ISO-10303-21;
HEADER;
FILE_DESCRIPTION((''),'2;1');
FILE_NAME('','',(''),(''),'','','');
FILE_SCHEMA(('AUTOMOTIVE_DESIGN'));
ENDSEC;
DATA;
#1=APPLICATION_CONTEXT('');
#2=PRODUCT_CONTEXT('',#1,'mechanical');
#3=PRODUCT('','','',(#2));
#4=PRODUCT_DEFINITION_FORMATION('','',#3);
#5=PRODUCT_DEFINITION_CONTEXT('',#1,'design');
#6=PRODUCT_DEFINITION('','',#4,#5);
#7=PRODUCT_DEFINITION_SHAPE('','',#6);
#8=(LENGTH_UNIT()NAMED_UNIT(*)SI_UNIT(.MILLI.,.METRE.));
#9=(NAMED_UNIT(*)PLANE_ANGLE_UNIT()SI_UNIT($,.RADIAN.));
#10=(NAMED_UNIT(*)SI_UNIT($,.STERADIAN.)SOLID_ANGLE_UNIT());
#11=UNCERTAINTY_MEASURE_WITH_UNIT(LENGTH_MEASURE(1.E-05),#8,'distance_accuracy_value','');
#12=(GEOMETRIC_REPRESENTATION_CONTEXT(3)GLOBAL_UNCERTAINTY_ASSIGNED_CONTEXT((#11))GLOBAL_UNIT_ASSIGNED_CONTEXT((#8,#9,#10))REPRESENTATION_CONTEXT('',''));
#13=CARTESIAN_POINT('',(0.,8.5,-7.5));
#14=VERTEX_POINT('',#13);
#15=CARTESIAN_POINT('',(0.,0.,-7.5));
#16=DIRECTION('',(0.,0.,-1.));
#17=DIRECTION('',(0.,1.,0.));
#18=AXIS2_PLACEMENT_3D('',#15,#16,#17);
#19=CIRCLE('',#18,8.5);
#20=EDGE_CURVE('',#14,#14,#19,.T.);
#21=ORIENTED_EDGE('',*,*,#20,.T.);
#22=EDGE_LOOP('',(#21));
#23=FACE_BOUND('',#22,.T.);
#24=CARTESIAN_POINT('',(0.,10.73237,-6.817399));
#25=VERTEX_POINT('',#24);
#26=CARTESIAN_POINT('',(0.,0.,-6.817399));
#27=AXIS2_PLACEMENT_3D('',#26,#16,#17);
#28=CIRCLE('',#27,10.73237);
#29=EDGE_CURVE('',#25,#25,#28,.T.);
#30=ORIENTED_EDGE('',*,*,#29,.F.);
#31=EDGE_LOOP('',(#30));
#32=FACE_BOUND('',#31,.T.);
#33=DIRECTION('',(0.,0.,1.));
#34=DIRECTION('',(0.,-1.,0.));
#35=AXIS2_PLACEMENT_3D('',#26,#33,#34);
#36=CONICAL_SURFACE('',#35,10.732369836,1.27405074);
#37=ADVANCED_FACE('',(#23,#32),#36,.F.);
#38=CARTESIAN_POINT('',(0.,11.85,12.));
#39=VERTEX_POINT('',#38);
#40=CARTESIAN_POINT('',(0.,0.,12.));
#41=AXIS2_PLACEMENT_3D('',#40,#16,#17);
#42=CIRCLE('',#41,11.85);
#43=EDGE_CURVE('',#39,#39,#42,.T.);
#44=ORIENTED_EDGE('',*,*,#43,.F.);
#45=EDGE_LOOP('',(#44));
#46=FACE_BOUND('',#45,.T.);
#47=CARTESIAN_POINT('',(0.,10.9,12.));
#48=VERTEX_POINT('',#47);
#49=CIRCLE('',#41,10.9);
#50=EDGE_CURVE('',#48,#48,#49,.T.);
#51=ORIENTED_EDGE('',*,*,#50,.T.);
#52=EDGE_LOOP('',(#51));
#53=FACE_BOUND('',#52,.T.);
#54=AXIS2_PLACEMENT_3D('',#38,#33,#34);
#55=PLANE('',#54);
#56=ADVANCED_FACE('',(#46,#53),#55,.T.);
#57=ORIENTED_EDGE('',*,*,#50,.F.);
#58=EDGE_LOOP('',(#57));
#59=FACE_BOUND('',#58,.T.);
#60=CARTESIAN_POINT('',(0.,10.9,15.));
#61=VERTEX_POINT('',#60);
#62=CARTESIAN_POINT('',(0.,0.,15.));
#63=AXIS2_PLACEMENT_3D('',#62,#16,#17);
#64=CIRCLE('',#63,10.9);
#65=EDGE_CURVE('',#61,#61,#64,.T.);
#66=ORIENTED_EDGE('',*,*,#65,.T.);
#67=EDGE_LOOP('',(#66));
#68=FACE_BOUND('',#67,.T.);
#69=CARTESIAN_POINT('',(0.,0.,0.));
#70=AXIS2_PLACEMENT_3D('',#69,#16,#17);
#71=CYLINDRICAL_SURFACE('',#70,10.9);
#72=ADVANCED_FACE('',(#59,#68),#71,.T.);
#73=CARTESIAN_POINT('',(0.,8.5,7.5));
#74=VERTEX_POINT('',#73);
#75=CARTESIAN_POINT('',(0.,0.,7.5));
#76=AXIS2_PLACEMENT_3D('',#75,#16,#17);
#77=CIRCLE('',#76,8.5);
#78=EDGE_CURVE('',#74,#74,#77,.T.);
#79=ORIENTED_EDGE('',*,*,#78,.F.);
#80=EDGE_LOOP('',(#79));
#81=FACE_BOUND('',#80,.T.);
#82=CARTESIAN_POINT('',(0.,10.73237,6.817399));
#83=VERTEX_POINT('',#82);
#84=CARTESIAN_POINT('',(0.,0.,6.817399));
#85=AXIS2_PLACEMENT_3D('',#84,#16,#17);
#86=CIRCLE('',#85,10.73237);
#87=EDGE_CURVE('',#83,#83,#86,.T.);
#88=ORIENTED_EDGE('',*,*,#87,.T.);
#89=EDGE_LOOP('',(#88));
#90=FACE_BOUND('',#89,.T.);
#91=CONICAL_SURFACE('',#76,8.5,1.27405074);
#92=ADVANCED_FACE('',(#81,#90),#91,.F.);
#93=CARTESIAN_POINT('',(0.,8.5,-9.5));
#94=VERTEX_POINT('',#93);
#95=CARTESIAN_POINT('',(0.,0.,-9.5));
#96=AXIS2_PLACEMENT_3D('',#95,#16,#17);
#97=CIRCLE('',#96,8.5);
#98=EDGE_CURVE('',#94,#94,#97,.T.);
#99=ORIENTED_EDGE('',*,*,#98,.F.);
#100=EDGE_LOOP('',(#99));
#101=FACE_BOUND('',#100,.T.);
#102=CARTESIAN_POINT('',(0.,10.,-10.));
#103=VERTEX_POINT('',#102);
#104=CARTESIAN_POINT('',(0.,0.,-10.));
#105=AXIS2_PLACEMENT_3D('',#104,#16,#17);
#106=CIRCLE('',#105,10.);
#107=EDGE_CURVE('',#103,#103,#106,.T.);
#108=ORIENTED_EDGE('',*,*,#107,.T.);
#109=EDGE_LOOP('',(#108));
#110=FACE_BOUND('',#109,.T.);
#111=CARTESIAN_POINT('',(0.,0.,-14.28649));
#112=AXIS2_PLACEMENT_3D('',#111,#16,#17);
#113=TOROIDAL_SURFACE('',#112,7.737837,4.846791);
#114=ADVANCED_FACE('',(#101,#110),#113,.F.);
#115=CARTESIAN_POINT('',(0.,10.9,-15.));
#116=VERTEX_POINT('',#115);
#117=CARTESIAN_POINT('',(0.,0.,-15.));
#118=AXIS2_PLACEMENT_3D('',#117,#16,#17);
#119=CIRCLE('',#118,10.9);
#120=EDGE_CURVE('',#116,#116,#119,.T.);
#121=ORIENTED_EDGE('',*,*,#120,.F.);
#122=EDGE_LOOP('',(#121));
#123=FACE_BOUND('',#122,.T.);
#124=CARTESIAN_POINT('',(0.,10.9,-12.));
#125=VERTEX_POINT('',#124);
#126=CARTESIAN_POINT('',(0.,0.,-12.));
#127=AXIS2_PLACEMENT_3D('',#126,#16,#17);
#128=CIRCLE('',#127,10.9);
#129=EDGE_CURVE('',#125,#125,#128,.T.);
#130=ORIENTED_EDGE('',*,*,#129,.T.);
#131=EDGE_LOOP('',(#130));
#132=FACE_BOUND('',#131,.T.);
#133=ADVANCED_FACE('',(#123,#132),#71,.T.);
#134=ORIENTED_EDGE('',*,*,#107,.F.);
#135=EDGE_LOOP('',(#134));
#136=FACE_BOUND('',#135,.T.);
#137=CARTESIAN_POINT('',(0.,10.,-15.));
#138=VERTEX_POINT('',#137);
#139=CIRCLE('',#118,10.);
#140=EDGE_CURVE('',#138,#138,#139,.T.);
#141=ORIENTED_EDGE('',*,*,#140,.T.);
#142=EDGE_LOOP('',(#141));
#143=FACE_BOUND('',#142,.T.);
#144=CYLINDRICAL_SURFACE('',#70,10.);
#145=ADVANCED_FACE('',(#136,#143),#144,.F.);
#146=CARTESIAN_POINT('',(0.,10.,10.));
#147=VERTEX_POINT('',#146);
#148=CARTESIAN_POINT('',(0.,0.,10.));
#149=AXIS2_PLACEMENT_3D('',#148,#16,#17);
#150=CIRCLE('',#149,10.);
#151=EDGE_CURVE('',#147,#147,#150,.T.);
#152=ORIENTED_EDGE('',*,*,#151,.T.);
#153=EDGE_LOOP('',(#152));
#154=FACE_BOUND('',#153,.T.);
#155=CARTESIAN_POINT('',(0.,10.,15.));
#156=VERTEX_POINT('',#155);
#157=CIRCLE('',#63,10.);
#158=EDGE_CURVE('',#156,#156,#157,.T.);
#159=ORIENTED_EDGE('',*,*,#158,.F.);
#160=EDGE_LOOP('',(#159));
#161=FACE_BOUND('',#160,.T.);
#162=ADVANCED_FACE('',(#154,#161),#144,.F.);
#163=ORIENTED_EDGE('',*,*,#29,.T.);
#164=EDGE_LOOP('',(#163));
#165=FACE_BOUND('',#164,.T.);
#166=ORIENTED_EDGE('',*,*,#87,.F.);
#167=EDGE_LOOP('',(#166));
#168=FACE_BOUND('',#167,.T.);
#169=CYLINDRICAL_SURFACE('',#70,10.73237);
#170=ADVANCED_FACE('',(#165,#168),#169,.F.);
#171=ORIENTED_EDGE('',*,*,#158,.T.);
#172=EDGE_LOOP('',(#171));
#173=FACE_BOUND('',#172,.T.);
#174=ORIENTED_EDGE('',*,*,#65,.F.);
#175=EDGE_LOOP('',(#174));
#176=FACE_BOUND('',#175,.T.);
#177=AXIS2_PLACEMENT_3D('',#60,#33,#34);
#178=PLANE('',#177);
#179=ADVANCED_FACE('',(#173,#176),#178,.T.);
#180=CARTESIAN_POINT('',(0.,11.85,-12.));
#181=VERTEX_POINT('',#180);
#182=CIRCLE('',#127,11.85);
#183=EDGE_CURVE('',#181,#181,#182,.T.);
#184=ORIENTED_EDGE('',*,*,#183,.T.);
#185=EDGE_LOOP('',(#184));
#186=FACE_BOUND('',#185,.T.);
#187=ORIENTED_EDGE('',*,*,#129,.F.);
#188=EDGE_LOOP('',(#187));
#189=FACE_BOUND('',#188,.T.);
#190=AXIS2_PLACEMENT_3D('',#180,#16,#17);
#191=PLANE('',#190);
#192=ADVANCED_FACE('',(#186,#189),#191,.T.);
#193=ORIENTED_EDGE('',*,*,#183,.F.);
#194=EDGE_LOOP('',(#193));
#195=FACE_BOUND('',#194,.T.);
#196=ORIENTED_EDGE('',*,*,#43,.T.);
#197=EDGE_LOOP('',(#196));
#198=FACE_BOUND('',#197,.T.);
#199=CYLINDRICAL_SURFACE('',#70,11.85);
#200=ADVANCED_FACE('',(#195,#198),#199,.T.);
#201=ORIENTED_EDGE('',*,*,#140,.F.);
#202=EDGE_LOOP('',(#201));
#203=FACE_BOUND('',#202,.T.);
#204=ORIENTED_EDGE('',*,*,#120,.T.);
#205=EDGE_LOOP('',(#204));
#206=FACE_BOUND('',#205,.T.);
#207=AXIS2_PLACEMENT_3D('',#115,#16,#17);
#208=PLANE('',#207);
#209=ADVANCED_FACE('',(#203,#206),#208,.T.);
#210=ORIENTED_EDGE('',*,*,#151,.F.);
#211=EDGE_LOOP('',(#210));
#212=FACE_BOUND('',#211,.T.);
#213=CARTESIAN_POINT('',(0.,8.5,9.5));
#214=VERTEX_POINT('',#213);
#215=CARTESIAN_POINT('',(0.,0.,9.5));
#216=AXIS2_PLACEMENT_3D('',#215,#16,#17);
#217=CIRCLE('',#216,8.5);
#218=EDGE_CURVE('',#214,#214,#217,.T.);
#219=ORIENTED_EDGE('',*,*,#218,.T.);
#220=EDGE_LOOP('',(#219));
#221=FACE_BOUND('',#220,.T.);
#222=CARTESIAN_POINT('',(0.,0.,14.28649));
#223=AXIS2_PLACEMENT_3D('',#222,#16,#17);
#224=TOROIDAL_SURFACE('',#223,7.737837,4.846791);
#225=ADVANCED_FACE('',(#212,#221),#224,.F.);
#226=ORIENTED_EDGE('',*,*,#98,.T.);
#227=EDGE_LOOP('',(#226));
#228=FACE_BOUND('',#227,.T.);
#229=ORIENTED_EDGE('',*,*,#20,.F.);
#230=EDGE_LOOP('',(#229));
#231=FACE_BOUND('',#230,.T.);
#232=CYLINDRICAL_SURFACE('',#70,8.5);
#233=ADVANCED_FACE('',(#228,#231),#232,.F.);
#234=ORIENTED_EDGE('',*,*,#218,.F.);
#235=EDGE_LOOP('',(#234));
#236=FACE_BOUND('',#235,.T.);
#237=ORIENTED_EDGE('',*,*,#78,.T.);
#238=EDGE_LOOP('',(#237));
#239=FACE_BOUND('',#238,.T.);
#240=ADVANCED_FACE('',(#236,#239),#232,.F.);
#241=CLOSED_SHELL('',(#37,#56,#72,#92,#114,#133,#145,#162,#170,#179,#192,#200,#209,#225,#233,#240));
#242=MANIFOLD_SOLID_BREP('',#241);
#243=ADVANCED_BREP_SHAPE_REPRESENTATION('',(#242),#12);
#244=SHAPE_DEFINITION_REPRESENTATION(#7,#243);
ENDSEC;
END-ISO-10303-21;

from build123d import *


with BuildPart() as part:
    # 스케치1 → 회전1 (revolve)
    with BuildSketch(Plane(origin=(0, 0, 0), x_dir=(0, 0, -1), z_dir=(1, 0, 0))):
        with BuildLine():
            Line((12, 11.85), (-12, 11.85))
            Line((-12, 11.85), (-12, 10.9))
            Line((-12, 10.9), (-15, 10.9))
            Line((-15, 10.9), (-15, 10))
            Line((-15, 10), (-10, 10))
            ThreePointArc((-10, 10), (-9.688420677, 9.270526441), (-9.5, 8.5))
            Line((-9.5, 8.5), (-7.5, 8.5))
            Line((-7.5, 8.5), (-6.817399349, 10.732369836))
            Line((-6.817399349, 10.732369836), (6.817399349, 10.732369836))
            Line((6.817399349, 10.732369836), (7.5, 8.5))
            Line((7.5, 8.5), (9.5, 8.5))
            ThreePointArc((9.5, 8.5), (9.688420677, 9.270526441), (10, 10))
            Line((10, 10), (15, 10))
            Line((15, 10), (15, 10.9))
            Line((15, 10.9), (12, 10.9))
            Line((12, 10.9), (12, 11.85))
        make_face()
    revolve(axis=Axis((0, 0, 0), (0, 0, 1)))


solid = part.part
